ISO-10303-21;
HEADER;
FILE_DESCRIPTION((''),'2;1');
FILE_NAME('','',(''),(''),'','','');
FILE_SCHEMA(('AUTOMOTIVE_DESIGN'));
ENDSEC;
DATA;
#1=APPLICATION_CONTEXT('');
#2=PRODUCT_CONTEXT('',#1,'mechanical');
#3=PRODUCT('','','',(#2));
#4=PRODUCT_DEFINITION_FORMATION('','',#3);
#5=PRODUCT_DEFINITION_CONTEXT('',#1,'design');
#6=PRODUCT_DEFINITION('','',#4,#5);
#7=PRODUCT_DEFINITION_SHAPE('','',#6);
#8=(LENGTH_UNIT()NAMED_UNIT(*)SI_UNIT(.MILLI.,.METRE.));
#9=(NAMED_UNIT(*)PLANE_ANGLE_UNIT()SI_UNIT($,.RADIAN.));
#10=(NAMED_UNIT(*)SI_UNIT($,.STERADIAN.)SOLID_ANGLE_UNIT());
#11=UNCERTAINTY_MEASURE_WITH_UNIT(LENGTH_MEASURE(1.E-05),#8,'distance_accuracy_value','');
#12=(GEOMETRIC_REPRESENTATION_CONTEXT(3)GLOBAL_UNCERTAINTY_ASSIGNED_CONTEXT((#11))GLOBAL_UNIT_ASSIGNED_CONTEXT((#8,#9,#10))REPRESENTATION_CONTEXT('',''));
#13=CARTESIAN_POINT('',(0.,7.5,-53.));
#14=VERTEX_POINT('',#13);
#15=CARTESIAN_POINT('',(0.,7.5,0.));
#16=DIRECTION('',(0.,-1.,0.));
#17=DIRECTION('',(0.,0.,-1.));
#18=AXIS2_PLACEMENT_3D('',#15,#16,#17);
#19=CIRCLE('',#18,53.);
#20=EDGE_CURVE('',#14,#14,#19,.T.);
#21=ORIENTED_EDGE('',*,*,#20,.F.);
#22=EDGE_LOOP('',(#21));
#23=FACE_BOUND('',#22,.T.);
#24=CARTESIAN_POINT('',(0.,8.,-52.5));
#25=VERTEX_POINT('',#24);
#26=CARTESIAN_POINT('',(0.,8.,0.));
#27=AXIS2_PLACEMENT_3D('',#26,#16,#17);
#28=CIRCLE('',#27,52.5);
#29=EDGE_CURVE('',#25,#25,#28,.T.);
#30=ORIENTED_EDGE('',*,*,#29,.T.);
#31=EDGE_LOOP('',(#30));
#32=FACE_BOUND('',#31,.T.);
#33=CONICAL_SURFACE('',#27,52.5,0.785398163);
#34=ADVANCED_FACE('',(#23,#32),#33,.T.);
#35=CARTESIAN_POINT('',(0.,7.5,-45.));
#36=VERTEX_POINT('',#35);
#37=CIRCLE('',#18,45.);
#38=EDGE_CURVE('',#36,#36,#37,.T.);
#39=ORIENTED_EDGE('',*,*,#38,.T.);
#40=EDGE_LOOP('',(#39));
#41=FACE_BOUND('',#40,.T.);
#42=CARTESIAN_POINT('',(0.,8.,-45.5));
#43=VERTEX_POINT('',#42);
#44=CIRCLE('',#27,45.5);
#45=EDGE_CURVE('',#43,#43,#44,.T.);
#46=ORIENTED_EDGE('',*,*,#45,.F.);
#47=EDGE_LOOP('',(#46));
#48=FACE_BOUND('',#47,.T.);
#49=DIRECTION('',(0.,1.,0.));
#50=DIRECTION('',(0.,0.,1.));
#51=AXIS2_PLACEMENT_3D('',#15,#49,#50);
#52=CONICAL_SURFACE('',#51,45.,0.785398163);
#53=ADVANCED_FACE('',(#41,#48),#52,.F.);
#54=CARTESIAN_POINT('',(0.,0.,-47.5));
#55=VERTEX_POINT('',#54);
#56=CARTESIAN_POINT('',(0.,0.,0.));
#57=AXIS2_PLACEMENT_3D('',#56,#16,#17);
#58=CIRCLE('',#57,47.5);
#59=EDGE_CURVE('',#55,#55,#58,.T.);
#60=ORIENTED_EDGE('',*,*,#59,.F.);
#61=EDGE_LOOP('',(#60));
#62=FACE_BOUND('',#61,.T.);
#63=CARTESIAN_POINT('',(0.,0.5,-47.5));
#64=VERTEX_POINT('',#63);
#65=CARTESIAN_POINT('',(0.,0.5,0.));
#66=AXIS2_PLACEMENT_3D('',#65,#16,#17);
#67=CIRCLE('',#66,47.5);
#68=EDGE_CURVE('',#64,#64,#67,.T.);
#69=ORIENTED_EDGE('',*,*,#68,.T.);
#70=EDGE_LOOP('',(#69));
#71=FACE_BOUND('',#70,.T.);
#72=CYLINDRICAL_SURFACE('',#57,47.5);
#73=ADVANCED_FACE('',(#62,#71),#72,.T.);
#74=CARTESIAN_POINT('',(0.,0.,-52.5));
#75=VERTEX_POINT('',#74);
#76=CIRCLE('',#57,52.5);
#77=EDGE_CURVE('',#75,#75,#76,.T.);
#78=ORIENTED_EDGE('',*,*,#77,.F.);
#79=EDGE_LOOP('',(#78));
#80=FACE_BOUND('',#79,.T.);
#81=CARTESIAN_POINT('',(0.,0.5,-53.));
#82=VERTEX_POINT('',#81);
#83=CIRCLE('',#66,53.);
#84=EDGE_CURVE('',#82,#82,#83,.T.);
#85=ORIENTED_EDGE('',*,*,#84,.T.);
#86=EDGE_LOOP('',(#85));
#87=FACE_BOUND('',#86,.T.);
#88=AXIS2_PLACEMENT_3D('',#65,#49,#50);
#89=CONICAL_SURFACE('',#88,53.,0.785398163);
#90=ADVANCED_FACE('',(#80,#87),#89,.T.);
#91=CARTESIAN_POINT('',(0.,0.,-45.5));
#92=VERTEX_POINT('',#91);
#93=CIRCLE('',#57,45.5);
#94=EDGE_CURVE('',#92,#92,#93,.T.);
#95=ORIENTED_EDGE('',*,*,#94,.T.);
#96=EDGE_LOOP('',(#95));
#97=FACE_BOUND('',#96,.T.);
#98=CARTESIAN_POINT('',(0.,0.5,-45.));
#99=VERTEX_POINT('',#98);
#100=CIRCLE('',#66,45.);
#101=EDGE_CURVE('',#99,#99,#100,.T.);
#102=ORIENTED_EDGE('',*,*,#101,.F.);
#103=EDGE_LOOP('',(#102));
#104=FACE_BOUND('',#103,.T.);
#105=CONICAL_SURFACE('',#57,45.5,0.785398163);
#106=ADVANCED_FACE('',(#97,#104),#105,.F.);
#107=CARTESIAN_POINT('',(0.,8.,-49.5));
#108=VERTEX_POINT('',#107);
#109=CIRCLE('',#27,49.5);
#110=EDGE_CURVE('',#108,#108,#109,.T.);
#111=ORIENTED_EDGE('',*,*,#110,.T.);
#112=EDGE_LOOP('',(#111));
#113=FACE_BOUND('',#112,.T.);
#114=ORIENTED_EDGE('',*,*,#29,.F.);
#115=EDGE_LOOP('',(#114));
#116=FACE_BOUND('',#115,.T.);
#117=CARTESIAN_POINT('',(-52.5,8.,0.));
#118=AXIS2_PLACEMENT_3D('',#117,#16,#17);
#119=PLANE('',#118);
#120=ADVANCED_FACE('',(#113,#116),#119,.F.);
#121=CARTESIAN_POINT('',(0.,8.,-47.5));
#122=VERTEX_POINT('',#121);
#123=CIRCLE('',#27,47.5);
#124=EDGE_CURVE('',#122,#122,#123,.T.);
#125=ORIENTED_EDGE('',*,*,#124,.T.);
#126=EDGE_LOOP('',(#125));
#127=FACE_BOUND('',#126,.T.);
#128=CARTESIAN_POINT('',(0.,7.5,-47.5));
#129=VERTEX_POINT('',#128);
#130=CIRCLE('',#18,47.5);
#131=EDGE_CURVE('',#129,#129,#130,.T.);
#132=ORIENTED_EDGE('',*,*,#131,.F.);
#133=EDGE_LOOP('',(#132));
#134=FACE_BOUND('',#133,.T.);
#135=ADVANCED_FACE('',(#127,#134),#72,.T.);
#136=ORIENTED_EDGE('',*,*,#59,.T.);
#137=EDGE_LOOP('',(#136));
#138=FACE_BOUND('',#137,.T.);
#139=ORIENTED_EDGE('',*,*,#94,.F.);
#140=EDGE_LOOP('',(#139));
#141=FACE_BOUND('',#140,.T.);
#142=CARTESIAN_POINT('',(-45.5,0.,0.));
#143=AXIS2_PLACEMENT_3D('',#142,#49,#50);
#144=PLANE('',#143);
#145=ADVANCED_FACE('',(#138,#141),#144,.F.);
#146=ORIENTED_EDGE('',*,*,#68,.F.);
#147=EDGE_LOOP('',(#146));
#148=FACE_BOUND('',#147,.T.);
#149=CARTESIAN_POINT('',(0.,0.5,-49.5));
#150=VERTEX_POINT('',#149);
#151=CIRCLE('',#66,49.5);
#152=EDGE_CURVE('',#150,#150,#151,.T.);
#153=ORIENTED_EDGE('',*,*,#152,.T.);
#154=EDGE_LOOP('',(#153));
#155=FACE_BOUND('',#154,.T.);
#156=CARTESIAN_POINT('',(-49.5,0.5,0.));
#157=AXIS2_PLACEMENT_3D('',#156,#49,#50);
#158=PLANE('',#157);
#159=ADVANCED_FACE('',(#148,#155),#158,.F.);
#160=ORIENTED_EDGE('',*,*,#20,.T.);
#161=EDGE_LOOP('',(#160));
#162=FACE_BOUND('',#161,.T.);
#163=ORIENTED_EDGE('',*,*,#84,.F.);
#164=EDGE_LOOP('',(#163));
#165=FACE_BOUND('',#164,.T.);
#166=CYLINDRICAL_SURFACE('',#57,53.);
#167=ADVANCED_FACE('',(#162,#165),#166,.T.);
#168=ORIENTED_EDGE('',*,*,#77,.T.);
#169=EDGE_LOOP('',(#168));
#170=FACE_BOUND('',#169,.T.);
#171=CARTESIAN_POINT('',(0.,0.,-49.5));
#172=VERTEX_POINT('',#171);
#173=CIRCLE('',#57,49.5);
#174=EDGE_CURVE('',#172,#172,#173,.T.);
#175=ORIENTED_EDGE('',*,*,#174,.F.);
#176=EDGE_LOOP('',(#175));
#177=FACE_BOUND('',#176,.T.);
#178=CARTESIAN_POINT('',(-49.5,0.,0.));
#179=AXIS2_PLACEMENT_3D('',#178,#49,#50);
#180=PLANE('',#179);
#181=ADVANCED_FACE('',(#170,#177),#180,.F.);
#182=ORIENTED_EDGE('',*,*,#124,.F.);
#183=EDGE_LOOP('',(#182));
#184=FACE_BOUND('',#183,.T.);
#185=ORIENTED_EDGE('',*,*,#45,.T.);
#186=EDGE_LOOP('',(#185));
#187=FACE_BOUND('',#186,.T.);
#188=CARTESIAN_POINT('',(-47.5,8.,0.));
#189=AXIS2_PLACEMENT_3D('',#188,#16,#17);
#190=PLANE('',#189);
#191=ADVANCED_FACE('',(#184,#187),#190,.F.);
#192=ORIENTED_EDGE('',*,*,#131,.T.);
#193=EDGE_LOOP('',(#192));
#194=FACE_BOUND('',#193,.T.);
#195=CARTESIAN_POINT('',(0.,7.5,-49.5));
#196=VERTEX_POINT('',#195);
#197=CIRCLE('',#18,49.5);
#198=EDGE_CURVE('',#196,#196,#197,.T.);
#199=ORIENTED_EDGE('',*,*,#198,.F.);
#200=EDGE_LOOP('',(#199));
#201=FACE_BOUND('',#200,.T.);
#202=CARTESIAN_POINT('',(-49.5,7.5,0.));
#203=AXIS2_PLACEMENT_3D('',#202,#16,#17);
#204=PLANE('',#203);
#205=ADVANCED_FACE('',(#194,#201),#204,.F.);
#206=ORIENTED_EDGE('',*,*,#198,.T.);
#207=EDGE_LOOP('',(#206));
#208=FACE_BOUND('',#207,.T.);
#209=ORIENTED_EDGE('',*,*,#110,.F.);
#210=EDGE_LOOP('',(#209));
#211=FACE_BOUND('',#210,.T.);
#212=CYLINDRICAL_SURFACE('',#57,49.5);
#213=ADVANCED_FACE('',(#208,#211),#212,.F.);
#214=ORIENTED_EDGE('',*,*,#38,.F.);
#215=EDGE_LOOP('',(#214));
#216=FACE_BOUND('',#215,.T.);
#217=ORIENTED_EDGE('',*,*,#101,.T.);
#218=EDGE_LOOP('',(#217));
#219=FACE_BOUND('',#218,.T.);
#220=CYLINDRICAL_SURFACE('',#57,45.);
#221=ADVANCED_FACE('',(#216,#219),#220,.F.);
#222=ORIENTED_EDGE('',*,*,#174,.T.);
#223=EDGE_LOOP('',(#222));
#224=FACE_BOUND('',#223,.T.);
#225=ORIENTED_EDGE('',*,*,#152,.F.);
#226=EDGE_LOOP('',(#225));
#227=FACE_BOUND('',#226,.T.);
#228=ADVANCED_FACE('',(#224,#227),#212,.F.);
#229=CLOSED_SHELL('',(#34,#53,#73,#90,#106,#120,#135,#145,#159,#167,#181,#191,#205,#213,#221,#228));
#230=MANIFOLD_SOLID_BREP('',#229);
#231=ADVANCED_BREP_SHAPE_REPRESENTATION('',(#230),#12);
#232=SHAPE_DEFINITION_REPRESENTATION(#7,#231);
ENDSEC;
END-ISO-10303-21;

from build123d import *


with BuildPart() as part:
    # 草图1 → 旋转1 (revolve)
    with BuildSketch(Plane.XY):
        Polygon((-45.5, 0), (-47.5, 0), (-47.5, 0.5), (-49.5, 0.5), (-49.5, 0), (-52.5, 0), (-53, 0.5), (-53, 7.5), (-52.5, 8), (-49.5, 8), (-49.5, 7.5), (-47.5, 7.5), (-47.5, 8), (-45.5, 8), (-45, 7.5), (-45, 0.5), align=None)
    revolve(axis=Axis((0, 0, 0), (0, 1, 0)))


solid = part.part
